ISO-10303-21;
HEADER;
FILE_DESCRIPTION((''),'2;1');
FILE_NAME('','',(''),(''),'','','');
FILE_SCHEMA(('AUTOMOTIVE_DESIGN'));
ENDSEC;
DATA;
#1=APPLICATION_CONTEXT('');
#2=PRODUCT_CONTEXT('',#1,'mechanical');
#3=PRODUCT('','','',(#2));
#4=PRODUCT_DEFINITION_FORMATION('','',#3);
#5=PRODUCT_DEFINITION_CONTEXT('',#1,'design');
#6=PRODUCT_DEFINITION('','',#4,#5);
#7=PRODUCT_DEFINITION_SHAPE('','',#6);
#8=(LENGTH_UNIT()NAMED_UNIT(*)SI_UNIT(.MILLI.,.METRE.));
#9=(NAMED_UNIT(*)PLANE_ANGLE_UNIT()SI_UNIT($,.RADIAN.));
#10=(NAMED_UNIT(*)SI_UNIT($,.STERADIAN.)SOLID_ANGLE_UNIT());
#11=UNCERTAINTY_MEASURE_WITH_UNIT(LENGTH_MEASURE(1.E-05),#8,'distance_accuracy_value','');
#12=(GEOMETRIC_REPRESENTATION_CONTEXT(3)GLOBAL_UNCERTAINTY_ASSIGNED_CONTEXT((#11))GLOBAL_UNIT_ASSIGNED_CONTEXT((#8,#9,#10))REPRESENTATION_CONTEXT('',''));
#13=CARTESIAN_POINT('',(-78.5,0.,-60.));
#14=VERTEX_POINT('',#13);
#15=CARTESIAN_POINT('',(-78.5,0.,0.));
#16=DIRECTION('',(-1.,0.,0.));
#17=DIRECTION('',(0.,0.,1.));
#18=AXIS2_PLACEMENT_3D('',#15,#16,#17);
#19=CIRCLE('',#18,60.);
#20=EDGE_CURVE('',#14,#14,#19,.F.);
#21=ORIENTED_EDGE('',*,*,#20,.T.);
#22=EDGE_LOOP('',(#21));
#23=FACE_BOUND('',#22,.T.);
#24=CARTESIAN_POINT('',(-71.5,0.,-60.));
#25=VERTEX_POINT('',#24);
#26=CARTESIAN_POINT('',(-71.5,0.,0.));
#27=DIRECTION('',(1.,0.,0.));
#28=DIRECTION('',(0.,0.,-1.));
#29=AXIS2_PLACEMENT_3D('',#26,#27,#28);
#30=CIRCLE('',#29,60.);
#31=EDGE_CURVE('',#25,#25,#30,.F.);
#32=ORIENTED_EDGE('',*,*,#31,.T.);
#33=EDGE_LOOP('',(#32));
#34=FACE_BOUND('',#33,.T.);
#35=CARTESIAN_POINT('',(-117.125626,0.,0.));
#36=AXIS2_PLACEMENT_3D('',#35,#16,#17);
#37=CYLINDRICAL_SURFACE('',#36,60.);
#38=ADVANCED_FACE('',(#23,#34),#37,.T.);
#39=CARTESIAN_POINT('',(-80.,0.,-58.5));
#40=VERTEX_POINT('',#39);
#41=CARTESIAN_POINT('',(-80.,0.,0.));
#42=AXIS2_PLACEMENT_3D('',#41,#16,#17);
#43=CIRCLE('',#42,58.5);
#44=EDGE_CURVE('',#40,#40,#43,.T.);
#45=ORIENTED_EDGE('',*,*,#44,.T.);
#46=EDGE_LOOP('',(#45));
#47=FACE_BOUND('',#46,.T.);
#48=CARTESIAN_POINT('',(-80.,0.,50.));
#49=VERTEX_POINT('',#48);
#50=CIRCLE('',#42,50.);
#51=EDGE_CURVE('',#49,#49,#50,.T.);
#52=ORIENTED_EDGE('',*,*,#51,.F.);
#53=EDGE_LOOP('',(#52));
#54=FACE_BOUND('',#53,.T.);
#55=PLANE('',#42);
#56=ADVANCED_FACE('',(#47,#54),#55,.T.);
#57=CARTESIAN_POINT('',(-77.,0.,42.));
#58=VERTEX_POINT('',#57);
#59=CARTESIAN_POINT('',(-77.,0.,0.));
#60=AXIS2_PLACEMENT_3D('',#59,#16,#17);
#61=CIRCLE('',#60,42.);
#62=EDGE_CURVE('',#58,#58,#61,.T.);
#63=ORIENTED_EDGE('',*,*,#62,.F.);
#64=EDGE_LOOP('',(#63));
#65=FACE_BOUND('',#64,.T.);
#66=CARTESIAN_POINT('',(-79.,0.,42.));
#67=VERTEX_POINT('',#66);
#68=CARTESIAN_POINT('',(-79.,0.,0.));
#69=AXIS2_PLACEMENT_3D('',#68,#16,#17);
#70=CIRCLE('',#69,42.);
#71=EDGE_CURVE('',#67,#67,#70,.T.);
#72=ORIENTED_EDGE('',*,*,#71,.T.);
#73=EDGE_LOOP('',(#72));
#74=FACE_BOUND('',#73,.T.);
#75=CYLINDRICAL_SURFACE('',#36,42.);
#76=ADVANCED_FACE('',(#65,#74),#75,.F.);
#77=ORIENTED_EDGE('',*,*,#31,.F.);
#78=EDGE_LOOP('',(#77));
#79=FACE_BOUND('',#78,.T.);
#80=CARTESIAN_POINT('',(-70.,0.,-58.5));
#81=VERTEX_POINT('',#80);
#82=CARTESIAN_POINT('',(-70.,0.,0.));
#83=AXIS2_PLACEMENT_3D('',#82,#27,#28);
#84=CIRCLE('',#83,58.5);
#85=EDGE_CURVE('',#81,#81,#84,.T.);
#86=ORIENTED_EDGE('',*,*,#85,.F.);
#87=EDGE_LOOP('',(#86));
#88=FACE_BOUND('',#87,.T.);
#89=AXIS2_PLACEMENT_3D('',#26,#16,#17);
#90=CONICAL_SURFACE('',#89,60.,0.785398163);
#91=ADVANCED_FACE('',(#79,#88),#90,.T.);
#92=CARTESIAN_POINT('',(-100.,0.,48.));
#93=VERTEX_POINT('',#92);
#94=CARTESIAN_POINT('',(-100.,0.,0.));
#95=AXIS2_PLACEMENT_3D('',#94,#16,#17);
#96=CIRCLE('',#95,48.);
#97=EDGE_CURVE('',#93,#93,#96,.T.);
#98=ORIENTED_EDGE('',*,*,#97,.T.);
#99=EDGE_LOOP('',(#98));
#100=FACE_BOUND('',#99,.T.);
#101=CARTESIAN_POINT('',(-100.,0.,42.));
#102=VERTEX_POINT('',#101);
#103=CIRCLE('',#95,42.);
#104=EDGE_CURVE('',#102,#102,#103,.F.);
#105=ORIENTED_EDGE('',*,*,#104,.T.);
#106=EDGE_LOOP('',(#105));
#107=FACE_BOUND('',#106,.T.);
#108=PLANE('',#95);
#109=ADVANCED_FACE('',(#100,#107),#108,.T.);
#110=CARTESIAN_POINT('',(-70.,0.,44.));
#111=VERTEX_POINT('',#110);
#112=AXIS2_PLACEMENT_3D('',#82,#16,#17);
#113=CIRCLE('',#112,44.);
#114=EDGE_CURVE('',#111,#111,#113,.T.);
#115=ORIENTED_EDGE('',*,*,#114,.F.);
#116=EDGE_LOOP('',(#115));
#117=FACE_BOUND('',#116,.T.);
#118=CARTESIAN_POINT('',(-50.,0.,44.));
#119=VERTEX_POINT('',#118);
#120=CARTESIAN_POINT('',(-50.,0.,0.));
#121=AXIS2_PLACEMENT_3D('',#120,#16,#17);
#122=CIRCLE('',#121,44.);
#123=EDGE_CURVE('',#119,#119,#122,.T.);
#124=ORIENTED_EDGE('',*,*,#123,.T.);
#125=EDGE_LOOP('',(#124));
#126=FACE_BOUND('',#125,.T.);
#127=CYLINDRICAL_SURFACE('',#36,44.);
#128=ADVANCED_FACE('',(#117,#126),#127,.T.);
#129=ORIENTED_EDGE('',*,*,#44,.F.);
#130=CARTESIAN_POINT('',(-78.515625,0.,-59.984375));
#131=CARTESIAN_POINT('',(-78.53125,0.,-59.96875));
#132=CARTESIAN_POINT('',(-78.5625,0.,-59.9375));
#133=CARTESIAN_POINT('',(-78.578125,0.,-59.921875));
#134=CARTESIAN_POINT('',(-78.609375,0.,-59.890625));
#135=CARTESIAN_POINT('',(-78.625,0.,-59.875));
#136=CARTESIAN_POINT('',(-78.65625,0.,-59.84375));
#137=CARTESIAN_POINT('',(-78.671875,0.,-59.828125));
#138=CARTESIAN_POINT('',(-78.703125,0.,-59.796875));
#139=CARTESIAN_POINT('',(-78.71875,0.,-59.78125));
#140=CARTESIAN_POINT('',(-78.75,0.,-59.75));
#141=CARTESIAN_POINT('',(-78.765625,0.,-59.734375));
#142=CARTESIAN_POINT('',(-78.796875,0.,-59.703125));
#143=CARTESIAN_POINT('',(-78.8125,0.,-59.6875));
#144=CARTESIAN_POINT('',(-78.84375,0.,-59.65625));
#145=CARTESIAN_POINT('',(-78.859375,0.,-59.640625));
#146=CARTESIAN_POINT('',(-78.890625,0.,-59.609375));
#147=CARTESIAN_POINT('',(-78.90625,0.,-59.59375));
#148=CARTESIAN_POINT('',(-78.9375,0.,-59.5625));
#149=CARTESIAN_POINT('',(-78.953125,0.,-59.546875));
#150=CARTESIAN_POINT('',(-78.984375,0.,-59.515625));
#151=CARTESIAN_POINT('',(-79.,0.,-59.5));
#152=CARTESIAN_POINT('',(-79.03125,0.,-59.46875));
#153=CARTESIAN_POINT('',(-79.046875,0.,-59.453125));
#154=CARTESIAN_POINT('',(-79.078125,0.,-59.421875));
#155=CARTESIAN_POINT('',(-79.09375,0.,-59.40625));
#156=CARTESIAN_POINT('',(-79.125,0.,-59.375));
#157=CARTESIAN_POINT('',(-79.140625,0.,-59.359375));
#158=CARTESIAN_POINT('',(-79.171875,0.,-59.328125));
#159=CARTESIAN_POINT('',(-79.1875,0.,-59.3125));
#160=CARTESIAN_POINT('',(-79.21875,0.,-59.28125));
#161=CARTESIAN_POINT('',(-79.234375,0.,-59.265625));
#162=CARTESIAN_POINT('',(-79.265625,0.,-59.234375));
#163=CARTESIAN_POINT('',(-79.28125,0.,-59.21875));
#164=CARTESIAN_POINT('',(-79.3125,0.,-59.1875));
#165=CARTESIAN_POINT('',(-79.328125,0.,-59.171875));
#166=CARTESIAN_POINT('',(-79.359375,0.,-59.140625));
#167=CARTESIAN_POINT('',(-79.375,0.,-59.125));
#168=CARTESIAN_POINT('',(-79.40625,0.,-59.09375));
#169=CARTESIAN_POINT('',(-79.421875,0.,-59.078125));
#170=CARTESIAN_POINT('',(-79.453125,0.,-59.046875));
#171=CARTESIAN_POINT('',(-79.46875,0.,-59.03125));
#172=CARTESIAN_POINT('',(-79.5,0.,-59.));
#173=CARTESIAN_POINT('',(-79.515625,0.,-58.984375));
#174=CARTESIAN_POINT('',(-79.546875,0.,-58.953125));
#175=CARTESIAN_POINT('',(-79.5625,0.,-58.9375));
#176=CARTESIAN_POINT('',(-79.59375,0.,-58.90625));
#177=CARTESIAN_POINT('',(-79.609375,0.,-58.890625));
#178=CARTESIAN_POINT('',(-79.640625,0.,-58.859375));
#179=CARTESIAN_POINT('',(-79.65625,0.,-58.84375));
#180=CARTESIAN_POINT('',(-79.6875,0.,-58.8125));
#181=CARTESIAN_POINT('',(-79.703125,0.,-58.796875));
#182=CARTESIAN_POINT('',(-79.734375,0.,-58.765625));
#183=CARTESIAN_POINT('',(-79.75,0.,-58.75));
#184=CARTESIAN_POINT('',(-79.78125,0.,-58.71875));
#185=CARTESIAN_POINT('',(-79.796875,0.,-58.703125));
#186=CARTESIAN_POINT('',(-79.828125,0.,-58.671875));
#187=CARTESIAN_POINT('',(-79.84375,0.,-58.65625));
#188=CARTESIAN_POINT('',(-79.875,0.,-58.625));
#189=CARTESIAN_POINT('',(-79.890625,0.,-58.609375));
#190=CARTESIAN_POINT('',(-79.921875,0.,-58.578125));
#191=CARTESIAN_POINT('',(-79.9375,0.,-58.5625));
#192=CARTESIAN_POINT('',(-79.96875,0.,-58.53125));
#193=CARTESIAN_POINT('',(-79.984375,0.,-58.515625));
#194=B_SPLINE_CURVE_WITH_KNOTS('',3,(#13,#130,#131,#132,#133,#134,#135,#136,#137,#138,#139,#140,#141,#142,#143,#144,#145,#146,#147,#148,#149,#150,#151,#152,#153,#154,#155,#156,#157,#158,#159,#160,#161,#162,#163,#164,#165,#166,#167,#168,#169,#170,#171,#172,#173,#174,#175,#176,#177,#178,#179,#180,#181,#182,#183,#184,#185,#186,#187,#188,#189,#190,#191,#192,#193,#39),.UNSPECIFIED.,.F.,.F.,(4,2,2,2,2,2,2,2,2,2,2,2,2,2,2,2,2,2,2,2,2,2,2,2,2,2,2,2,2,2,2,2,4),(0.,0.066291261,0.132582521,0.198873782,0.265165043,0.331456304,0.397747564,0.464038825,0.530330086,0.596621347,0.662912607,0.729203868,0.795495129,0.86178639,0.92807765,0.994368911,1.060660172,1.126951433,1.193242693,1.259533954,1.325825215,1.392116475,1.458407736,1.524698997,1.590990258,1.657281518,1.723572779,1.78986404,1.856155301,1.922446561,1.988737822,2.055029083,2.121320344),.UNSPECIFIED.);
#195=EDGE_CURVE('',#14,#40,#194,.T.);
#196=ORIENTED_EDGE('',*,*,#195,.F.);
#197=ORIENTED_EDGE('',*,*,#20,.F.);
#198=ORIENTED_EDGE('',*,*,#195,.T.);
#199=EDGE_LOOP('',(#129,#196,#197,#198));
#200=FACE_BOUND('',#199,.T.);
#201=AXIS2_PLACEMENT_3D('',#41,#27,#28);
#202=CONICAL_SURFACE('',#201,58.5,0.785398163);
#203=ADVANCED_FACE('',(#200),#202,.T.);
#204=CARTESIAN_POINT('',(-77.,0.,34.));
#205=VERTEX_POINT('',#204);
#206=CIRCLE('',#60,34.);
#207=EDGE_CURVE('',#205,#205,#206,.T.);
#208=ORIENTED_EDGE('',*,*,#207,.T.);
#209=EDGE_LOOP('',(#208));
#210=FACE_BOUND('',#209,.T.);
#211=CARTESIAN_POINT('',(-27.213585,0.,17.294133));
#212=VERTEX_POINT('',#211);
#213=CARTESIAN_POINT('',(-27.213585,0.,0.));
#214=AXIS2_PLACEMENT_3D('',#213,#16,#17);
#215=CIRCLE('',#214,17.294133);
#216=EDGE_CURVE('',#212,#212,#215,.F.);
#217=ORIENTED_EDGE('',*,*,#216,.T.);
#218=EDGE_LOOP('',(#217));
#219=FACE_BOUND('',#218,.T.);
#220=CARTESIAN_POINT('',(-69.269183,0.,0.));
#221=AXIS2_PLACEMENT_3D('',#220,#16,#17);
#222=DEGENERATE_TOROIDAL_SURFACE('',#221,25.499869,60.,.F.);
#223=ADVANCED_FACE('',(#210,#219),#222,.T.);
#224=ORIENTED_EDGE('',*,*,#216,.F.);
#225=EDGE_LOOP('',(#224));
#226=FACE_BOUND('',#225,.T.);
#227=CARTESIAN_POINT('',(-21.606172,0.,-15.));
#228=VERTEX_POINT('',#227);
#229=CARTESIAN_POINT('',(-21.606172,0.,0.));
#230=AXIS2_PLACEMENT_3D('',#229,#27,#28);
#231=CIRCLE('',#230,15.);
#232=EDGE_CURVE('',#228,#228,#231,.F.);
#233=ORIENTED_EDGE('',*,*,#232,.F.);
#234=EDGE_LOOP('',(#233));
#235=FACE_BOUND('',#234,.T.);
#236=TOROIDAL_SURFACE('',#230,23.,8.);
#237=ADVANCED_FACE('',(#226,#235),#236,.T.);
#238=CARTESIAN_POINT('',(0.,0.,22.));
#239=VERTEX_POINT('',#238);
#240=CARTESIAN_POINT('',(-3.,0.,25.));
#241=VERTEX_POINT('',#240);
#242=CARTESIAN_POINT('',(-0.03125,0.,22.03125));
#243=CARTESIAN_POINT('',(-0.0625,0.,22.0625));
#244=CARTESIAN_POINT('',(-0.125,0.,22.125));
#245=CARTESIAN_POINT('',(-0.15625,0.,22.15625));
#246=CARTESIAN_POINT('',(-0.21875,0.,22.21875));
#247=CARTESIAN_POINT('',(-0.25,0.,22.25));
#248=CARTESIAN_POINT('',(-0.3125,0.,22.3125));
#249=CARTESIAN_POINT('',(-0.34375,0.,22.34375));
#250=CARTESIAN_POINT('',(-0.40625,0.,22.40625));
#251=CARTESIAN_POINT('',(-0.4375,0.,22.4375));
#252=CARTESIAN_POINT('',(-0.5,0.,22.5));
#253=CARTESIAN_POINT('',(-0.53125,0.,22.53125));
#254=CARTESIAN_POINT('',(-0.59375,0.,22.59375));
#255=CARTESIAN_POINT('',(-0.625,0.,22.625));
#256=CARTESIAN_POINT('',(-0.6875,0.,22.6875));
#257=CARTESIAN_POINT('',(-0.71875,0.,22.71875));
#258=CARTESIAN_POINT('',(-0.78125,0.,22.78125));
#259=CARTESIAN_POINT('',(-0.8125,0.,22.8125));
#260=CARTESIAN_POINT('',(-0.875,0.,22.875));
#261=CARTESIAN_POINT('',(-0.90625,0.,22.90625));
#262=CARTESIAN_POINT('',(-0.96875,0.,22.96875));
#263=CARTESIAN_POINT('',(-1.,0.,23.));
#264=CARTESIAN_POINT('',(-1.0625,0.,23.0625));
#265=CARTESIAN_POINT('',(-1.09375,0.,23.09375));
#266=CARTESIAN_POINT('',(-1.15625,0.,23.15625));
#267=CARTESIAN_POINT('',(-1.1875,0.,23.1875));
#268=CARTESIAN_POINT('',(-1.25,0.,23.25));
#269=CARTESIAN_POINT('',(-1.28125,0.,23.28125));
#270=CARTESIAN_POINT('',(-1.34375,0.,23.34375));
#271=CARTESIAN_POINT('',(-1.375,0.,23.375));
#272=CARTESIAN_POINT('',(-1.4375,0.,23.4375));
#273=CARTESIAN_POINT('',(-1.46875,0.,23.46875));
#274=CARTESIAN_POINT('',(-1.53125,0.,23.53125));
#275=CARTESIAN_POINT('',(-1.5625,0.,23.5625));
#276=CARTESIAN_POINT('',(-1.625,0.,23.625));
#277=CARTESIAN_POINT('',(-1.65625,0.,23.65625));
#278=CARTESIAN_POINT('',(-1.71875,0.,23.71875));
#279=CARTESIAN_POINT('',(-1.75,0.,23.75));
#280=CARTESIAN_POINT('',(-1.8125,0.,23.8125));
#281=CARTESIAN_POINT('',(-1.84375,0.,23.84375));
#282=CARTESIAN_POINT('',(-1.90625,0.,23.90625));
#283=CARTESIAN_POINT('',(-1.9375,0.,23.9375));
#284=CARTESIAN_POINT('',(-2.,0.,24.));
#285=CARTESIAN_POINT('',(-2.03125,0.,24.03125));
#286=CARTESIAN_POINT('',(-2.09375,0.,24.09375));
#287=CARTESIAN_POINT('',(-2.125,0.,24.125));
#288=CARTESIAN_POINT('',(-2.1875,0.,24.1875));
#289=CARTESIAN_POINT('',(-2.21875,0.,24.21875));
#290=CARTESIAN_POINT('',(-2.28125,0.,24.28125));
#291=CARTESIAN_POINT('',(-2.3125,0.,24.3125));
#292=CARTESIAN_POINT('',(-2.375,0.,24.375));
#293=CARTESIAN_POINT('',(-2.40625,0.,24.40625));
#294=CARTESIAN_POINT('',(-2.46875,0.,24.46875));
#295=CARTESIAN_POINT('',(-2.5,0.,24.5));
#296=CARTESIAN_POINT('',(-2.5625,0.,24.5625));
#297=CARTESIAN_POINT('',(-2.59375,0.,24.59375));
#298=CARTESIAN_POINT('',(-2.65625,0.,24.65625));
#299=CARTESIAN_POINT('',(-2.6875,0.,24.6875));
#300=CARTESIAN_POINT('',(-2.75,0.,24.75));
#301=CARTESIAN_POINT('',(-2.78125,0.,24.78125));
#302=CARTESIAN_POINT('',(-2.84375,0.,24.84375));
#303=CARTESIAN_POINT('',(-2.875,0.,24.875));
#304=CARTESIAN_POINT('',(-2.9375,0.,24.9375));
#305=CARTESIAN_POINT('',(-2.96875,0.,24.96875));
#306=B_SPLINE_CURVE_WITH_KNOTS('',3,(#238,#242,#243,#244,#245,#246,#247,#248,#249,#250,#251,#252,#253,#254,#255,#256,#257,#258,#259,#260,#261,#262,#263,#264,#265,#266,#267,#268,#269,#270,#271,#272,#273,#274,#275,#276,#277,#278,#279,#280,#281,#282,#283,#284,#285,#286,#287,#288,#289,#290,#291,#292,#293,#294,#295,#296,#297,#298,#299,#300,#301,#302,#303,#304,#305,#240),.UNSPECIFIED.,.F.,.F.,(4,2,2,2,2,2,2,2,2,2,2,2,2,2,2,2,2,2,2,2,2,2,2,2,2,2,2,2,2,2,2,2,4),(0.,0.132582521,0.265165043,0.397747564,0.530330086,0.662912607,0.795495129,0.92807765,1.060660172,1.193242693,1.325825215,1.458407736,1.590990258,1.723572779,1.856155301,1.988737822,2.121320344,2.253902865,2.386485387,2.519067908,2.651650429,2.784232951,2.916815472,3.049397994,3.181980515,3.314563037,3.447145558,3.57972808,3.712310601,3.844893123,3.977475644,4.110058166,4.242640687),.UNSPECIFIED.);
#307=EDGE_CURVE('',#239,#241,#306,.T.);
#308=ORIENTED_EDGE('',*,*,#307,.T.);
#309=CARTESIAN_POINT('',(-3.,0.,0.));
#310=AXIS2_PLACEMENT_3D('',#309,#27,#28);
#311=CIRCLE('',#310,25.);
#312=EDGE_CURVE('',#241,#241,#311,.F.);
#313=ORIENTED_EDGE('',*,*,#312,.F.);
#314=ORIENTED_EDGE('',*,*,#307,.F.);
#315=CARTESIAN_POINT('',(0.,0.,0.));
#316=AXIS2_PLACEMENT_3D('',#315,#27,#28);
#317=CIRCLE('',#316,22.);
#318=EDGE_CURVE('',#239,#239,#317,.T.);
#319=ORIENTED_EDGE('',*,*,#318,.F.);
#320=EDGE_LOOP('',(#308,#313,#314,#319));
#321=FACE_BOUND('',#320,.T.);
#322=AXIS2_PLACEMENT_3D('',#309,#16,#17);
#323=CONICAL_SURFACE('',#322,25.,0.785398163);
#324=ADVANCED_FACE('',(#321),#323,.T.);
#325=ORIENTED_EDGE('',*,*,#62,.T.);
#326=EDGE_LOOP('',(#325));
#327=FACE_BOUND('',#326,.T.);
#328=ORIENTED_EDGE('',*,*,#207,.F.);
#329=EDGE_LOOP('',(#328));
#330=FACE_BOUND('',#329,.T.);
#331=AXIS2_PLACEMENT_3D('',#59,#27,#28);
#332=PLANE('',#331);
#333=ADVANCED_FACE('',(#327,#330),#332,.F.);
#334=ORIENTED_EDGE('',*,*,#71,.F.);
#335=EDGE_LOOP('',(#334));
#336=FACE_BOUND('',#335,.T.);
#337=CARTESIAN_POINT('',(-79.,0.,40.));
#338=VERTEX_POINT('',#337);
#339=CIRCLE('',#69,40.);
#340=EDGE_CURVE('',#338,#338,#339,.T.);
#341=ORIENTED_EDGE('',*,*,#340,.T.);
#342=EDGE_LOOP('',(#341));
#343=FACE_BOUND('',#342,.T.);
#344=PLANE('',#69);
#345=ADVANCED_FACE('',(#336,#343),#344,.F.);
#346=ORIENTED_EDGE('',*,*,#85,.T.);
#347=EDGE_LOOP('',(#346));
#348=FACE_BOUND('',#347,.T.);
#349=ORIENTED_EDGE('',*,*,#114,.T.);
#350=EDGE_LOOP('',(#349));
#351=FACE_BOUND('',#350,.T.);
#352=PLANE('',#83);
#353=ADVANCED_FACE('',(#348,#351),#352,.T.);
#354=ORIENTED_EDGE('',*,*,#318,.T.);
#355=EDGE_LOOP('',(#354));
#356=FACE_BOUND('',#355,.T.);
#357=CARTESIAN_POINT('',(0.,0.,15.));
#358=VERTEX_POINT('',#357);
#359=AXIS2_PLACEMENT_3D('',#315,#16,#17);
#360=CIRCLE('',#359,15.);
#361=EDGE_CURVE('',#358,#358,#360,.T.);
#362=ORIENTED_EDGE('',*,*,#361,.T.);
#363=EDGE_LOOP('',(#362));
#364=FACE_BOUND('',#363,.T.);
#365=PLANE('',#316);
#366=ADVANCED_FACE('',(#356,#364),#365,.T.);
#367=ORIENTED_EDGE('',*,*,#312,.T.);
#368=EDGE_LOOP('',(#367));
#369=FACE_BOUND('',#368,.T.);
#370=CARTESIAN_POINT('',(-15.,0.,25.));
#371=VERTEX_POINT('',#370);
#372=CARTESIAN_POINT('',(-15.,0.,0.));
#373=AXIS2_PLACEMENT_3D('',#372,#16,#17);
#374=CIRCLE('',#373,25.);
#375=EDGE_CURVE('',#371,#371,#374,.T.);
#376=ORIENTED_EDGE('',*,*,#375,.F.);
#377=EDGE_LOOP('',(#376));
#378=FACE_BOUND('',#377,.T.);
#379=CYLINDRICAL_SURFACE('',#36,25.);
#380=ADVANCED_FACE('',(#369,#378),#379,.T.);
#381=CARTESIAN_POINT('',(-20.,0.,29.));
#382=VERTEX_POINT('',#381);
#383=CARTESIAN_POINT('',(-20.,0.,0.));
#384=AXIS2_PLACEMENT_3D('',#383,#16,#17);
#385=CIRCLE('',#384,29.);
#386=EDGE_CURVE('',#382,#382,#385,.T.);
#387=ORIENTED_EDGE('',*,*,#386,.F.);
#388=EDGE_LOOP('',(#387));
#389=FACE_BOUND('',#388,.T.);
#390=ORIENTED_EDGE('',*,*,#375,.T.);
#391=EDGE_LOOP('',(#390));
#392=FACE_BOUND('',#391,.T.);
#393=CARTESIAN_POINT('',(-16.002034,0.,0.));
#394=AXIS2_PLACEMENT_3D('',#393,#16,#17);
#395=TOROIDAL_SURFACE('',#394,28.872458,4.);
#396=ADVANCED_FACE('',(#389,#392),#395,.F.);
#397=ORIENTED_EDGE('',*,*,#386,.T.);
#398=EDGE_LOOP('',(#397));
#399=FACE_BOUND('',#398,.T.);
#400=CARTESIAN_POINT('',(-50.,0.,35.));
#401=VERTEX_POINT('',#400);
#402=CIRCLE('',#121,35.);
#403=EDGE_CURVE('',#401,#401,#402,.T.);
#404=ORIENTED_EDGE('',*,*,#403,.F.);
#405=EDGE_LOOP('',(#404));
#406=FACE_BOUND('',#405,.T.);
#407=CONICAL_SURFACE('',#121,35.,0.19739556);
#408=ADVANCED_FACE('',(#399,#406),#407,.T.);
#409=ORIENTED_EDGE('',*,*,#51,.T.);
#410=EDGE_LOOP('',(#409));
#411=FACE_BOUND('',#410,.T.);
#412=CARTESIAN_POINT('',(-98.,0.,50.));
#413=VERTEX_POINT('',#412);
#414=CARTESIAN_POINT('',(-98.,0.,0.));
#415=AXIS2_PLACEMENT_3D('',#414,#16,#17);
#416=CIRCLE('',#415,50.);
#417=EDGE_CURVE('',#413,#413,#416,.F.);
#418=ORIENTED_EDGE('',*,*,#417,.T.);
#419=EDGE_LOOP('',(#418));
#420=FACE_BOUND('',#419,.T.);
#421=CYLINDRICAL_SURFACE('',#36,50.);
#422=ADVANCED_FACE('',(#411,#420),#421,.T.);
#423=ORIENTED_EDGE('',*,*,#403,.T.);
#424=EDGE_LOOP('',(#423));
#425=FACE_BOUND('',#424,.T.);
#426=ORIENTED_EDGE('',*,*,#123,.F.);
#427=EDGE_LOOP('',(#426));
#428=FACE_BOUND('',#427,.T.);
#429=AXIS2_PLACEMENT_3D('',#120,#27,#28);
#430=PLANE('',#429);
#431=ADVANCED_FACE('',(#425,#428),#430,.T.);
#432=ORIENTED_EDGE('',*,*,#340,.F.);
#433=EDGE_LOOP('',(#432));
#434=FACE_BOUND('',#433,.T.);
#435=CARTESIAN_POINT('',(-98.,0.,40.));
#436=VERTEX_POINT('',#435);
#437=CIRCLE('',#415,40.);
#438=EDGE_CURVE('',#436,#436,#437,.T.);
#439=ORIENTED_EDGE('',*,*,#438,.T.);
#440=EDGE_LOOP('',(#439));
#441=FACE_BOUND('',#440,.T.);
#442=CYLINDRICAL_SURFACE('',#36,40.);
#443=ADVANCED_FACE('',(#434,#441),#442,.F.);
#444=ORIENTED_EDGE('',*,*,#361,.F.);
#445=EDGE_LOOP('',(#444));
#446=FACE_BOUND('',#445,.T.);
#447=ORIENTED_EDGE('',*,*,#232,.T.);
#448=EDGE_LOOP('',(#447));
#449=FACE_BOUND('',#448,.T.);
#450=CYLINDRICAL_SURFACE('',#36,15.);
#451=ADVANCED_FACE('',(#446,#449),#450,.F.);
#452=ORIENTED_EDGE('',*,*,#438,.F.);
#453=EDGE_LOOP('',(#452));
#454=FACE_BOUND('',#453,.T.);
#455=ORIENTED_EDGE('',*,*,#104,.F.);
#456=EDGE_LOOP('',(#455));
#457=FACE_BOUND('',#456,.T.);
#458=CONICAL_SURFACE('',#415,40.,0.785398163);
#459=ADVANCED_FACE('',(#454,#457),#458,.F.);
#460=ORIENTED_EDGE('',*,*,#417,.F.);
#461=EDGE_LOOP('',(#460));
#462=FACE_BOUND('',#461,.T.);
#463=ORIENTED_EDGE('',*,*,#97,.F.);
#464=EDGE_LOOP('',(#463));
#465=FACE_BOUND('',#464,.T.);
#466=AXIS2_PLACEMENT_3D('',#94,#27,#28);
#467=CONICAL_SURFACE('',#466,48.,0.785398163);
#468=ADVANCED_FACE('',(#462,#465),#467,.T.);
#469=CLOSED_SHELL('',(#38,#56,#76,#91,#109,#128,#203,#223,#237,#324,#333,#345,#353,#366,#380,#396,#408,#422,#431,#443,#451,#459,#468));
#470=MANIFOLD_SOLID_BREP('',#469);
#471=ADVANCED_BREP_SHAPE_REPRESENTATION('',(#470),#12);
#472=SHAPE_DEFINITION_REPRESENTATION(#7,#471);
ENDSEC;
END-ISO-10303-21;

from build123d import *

# Parameters (mm, degrees)
SMUSSO1_SIZE = 2
RACCORDO1_R  = 8
SMUSSO2_SIZE = 1.5
SMUSSO3_SIZE = 3


with BuildPart() as part:
    # Schizzo1 → Rivoluzione1 (revolve)
    with BuildSketch(Plane.XY, mode=Mode.PRIVATE) as rivoluzione1_sk:
        with BuildLine():
            ThreePointArc((-25, 15), (-48.677605909, 30.856025933), (-77, 34))
            Line((-77, 34), (-77, 42))
            Line((-77, 42), (-79, 42))
            Line((-79, 42), (-79, 40))
            Line((-79, 40), (-100, 40))
            Line((-100, 40), (-100, 50))
            Line((-100, 50), (-80, 50))
            Line((-80, 50), (-80, 60))
            Line((-80, 60), (-70, 60))
            Line((-70, 60), (-70, 44))
            Line((-70, 44), (-50, 44))
            Line((-50, 44), (-50, 35))
            Line((-50, 35), (-20, 29))
            ThreePointArc((-20, 29), (-18.500814089, 25.748982388), (-15, 25))
            Line((-15, 25), (0, 25))
            Line((0, 25), (0, 15))
            Line((0, 15), (-25, 15))
        make_face()
    revolve(rivoluzione1_sk.sketch.rotate(Axis((-117.125626325, 0, 0), (1, 0, 0)), 90), axis=Axis((-117.125626325, 0, 0), (1, 0, 0)))

    # Smusso1
    smusso1_edges = [part.edges().sort_by_distance(p)[0] for p in [
        (-100, 0, -40),
        (-100, 0, -50),
    ]]
    chamfer(smusso1_edges, length=SMUSSO1_SIZE)

    # Raccordo1
    raccordo1_edges = [part.edges().sort_by_distance(p)[0] for p in [
        (-25, 0, -15),
    ]]
    fillet(raccordo1_edges, radius=RACCORDO1_R)

    # Smusso2
    smusso2_edges = [part.edges().sort_by_distance(p)[0] for p in [
        (-80, 0, -60),
        (-70, 0, -60),
    ]]
    chamfer(smusso2_edges, length=SMUSSO2_SIZE)

    # Smusso3
    smusso3_edges = [part.edges().sort_by_distance(p)[0] for p in [
        (0, 0, -25),
    ]]
    chamfer(smusso3_edges, length=SMUSSO3_SIZE)


solid = part.part
